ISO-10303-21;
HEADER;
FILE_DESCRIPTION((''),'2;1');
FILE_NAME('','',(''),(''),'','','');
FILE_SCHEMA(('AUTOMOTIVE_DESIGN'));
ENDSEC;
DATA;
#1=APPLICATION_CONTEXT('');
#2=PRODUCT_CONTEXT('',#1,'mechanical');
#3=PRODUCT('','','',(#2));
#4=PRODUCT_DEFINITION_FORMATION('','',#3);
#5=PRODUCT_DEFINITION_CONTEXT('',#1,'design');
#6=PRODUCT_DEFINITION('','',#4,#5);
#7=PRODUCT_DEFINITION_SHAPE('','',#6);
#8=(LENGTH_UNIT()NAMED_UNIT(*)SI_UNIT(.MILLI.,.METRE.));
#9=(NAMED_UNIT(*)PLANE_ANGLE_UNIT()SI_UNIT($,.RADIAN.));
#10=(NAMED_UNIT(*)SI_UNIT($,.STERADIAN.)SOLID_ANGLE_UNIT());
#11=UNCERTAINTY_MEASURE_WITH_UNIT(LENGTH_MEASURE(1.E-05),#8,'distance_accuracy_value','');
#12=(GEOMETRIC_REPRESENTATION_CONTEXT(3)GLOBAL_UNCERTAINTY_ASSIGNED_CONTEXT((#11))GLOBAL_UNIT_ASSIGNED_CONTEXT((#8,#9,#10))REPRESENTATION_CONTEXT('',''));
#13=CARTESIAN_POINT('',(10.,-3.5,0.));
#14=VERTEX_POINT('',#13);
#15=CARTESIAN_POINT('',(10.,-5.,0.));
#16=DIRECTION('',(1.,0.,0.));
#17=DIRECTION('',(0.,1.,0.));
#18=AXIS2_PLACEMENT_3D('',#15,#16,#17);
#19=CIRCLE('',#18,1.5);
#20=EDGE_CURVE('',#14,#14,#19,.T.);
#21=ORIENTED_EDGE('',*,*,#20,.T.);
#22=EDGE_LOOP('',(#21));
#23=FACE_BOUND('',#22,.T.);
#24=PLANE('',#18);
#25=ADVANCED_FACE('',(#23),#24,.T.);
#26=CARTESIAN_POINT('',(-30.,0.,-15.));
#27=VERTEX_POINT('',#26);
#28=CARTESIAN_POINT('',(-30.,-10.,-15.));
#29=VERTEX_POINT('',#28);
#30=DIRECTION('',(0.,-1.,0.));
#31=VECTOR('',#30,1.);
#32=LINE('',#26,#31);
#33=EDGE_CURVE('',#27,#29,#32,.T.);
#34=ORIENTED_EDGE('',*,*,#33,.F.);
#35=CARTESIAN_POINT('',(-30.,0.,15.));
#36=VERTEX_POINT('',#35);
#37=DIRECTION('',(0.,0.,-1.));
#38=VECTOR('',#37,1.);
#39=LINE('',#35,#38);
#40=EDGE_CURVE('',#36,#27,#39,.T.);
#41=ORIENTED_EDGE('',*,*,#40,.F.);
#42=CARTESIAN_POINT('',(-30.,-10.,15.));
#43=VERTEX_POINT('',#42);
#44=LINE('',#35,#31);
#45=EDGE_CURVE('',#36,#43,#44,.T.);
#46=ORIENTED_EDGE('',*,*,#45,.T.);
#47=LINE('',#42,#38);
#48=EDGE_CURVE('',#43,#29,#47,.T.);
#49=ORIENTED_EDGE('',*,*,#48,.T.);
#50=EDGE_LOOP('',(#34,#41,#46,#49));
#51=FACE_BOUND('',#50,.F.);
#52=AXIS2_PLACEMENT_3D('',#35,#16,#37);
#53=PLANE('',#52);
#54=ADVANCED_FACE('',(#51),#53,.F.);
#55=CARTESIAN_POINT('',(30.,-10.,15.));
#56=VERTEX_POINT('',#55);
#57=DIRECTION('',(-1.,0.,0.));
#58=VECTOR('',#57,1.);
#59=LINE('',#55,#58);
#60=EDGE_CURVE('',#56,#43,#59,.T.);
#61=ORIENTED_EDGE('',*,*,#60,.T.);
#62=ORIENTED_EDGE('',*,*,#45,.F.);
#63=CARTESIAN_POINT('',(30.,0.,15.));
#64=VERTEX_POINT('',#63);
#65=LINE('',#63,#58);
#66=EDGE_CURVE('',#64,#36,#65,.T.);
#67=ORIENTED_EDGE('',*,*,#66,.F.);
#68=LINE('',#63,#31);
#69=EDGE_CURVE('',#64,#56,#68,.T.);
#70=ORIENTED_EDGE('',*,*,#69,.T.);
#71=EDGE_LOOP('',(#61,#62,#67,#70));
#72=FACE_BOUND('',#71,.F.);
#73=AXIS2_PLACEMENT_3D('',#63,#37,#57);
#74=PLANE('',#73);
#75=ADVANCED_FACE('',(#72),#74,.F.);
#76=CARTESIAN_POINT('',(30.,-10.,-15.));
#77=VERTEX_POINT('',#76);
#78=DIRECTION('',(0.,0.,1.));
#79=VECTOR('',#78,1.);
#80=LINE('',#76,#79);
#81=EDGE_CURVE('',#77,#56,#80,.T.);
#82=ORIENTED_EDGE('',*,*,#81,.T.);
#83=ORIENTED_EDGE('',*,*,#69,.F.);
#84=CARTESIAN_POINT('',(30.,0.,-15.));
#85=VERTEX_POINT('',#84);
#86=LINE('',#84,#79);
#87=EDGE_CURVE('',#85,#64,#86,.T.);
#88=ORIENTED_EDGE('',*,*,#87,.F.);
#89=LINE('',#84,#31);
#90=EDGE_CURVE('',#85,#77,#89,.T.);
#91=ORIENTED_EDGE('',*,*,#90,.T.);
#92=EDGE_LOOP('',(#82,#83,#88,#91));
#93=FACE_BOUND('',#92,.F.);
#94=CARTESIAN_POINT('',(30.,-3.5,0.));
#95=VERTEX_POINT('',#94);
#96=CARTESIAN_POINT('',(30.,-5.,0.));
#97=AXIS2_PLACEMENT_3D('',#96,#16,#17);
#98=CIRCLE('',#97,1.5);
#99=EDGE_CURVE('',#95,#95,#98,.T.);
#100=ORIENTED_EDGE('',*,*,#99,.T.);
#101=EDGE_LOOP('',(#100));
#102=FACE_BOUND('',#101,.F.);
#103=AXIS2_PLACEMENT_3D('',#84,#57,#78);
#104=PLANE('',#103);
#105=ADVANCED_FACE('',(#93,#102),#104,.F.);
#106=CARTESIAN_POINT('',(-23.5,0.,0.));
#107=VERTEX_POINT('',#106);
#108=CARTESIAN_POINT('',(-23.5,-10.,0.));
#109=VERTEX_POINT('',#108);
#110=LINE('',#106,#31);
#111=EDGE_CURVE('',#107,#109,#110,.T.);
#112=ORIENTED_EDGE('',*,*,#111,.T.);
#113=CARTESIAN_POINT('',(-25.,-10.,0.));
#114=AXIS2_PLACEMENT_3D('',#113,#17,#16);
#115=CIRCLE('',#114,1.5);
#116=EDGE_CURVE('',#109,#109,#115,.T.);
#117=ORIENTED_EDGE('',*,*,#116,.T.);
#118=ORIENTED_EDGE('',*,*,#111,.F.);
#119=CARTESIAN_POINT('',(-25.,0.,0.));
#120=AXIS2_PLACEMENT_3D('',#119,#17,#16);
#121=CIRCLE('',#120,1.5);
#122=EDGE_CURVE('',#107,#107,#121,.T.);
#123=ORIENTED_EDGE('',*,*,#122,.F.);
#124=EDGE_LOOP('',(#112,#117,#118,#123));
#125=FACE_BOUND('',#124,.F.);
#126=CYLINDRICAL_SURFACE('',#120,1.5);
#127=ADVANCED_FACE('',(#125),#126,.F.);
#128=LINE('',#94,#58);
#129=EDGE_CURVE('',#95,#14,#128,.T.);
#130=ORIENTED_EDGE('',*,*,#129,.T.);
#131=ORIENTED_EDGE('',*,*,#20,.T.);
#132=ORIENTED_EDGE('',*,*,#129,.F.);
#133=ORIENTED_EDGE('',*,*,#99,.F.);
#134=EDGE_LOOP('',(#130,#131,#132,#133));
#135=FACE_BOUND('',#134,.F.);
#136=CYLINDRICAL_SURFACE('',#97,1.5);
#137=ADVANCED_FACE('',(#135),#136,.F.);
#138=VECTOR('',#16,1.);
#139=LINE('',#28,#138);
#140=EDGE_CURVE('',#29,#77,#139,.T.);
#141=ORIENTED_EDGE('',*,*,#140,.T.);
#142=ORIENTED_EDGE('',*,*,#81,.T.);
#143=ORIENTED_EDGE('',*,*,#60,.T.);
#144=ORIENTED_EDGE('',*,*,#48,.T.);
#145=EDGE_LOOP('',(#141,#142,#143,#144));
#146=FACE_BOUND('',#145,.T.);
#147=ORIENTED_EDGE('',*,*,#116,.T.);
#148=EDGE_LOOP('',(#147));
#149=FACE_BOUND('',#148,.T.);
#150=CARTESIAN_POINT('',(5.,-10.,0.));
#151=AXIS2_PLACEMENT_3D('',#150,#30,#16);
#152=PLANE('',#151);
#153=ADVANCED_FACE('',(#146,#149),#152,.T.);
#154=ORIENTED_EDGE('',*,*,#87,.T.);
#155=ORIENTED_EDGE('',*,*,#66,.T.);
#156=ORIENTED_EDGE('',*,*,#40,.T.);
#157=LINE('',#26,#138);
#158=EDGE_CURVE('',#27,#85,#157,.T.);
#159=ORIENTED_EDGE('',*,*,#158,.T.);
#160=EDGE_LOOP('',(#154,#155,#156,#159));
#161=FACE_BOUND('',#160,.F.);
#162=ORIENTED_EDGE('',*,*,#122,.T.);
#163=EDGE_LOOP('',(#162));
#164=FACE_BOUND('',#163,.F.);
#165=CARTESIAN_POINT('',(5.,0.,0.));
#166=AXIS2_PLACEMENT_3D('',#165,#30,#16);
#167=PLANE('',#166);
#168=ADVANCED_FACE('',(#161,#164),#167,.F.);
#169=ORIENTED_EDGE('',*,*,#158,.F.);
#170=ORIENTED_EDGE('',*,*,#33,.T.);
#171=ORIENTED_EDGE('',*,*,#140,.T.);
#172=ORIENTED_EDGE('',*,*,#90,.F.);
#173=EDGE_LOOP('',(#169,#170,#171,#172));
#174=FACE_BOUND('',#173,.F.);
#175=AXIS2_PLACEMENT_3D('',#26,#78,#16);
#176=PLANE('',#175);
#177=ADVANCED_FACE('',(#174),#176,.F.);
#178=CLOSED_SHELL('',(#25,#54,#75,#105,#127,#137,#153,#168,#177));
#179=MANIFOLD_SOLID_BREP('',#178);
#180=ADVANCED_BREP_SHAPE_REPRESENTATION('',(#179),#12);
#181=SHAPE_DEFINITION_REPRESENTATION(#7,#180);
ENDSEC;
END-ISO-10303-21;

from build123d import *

# Parameters (mm, degrees)
F1_DEPTH = 10
F2_R     = 1.5
F3_DEPTH = 20


with BuildPart() as f1:
    # F0 (on Front) → F1 (new body)
    with BuildSketch(Plane.XZ):
        Polygon((30, -15), (30, 15), (-20, 15), (-20, 0), (-20, -15), align=None)
        with BuildLine():
            Line((-20, 0), (-20, 15))
            Line((-20, 15), (-30, 15))
            Line((-30, 15), (-30, 0))
            Line((-30, 0), (-26.5, 0))
            ThreePointArc((-26.5, 0), (-25, 1.5), (-23.5, 0))
            Line((-23.5, 0), (-20, 0))
        make_face()
        with BuildLine():
            Line((-20, -15), (-20, 0))
            Line((-20, 0), (-23.5, 0))
            ThreePointArc((-23.5, 0), (-25, -1.5), (-26.5, 0))
            Line((-26.5, 0), (-30, 0))
            Line((-30, 0), (-30, -15))
            Line((-30, -15), (-20, -15))
        make_face()
    extrude(amount=F1_DEPTH)

    # F2 (on face) → F3 (cut)
    with BuildSketch(Plane.YZ.offset(30)):
        with Locations((-5, 0)):
            Circle(F2_R)
    extrude(amount=-F3_DEPTH, mode=Mode.SUBTRACT)


solid = f1.part
